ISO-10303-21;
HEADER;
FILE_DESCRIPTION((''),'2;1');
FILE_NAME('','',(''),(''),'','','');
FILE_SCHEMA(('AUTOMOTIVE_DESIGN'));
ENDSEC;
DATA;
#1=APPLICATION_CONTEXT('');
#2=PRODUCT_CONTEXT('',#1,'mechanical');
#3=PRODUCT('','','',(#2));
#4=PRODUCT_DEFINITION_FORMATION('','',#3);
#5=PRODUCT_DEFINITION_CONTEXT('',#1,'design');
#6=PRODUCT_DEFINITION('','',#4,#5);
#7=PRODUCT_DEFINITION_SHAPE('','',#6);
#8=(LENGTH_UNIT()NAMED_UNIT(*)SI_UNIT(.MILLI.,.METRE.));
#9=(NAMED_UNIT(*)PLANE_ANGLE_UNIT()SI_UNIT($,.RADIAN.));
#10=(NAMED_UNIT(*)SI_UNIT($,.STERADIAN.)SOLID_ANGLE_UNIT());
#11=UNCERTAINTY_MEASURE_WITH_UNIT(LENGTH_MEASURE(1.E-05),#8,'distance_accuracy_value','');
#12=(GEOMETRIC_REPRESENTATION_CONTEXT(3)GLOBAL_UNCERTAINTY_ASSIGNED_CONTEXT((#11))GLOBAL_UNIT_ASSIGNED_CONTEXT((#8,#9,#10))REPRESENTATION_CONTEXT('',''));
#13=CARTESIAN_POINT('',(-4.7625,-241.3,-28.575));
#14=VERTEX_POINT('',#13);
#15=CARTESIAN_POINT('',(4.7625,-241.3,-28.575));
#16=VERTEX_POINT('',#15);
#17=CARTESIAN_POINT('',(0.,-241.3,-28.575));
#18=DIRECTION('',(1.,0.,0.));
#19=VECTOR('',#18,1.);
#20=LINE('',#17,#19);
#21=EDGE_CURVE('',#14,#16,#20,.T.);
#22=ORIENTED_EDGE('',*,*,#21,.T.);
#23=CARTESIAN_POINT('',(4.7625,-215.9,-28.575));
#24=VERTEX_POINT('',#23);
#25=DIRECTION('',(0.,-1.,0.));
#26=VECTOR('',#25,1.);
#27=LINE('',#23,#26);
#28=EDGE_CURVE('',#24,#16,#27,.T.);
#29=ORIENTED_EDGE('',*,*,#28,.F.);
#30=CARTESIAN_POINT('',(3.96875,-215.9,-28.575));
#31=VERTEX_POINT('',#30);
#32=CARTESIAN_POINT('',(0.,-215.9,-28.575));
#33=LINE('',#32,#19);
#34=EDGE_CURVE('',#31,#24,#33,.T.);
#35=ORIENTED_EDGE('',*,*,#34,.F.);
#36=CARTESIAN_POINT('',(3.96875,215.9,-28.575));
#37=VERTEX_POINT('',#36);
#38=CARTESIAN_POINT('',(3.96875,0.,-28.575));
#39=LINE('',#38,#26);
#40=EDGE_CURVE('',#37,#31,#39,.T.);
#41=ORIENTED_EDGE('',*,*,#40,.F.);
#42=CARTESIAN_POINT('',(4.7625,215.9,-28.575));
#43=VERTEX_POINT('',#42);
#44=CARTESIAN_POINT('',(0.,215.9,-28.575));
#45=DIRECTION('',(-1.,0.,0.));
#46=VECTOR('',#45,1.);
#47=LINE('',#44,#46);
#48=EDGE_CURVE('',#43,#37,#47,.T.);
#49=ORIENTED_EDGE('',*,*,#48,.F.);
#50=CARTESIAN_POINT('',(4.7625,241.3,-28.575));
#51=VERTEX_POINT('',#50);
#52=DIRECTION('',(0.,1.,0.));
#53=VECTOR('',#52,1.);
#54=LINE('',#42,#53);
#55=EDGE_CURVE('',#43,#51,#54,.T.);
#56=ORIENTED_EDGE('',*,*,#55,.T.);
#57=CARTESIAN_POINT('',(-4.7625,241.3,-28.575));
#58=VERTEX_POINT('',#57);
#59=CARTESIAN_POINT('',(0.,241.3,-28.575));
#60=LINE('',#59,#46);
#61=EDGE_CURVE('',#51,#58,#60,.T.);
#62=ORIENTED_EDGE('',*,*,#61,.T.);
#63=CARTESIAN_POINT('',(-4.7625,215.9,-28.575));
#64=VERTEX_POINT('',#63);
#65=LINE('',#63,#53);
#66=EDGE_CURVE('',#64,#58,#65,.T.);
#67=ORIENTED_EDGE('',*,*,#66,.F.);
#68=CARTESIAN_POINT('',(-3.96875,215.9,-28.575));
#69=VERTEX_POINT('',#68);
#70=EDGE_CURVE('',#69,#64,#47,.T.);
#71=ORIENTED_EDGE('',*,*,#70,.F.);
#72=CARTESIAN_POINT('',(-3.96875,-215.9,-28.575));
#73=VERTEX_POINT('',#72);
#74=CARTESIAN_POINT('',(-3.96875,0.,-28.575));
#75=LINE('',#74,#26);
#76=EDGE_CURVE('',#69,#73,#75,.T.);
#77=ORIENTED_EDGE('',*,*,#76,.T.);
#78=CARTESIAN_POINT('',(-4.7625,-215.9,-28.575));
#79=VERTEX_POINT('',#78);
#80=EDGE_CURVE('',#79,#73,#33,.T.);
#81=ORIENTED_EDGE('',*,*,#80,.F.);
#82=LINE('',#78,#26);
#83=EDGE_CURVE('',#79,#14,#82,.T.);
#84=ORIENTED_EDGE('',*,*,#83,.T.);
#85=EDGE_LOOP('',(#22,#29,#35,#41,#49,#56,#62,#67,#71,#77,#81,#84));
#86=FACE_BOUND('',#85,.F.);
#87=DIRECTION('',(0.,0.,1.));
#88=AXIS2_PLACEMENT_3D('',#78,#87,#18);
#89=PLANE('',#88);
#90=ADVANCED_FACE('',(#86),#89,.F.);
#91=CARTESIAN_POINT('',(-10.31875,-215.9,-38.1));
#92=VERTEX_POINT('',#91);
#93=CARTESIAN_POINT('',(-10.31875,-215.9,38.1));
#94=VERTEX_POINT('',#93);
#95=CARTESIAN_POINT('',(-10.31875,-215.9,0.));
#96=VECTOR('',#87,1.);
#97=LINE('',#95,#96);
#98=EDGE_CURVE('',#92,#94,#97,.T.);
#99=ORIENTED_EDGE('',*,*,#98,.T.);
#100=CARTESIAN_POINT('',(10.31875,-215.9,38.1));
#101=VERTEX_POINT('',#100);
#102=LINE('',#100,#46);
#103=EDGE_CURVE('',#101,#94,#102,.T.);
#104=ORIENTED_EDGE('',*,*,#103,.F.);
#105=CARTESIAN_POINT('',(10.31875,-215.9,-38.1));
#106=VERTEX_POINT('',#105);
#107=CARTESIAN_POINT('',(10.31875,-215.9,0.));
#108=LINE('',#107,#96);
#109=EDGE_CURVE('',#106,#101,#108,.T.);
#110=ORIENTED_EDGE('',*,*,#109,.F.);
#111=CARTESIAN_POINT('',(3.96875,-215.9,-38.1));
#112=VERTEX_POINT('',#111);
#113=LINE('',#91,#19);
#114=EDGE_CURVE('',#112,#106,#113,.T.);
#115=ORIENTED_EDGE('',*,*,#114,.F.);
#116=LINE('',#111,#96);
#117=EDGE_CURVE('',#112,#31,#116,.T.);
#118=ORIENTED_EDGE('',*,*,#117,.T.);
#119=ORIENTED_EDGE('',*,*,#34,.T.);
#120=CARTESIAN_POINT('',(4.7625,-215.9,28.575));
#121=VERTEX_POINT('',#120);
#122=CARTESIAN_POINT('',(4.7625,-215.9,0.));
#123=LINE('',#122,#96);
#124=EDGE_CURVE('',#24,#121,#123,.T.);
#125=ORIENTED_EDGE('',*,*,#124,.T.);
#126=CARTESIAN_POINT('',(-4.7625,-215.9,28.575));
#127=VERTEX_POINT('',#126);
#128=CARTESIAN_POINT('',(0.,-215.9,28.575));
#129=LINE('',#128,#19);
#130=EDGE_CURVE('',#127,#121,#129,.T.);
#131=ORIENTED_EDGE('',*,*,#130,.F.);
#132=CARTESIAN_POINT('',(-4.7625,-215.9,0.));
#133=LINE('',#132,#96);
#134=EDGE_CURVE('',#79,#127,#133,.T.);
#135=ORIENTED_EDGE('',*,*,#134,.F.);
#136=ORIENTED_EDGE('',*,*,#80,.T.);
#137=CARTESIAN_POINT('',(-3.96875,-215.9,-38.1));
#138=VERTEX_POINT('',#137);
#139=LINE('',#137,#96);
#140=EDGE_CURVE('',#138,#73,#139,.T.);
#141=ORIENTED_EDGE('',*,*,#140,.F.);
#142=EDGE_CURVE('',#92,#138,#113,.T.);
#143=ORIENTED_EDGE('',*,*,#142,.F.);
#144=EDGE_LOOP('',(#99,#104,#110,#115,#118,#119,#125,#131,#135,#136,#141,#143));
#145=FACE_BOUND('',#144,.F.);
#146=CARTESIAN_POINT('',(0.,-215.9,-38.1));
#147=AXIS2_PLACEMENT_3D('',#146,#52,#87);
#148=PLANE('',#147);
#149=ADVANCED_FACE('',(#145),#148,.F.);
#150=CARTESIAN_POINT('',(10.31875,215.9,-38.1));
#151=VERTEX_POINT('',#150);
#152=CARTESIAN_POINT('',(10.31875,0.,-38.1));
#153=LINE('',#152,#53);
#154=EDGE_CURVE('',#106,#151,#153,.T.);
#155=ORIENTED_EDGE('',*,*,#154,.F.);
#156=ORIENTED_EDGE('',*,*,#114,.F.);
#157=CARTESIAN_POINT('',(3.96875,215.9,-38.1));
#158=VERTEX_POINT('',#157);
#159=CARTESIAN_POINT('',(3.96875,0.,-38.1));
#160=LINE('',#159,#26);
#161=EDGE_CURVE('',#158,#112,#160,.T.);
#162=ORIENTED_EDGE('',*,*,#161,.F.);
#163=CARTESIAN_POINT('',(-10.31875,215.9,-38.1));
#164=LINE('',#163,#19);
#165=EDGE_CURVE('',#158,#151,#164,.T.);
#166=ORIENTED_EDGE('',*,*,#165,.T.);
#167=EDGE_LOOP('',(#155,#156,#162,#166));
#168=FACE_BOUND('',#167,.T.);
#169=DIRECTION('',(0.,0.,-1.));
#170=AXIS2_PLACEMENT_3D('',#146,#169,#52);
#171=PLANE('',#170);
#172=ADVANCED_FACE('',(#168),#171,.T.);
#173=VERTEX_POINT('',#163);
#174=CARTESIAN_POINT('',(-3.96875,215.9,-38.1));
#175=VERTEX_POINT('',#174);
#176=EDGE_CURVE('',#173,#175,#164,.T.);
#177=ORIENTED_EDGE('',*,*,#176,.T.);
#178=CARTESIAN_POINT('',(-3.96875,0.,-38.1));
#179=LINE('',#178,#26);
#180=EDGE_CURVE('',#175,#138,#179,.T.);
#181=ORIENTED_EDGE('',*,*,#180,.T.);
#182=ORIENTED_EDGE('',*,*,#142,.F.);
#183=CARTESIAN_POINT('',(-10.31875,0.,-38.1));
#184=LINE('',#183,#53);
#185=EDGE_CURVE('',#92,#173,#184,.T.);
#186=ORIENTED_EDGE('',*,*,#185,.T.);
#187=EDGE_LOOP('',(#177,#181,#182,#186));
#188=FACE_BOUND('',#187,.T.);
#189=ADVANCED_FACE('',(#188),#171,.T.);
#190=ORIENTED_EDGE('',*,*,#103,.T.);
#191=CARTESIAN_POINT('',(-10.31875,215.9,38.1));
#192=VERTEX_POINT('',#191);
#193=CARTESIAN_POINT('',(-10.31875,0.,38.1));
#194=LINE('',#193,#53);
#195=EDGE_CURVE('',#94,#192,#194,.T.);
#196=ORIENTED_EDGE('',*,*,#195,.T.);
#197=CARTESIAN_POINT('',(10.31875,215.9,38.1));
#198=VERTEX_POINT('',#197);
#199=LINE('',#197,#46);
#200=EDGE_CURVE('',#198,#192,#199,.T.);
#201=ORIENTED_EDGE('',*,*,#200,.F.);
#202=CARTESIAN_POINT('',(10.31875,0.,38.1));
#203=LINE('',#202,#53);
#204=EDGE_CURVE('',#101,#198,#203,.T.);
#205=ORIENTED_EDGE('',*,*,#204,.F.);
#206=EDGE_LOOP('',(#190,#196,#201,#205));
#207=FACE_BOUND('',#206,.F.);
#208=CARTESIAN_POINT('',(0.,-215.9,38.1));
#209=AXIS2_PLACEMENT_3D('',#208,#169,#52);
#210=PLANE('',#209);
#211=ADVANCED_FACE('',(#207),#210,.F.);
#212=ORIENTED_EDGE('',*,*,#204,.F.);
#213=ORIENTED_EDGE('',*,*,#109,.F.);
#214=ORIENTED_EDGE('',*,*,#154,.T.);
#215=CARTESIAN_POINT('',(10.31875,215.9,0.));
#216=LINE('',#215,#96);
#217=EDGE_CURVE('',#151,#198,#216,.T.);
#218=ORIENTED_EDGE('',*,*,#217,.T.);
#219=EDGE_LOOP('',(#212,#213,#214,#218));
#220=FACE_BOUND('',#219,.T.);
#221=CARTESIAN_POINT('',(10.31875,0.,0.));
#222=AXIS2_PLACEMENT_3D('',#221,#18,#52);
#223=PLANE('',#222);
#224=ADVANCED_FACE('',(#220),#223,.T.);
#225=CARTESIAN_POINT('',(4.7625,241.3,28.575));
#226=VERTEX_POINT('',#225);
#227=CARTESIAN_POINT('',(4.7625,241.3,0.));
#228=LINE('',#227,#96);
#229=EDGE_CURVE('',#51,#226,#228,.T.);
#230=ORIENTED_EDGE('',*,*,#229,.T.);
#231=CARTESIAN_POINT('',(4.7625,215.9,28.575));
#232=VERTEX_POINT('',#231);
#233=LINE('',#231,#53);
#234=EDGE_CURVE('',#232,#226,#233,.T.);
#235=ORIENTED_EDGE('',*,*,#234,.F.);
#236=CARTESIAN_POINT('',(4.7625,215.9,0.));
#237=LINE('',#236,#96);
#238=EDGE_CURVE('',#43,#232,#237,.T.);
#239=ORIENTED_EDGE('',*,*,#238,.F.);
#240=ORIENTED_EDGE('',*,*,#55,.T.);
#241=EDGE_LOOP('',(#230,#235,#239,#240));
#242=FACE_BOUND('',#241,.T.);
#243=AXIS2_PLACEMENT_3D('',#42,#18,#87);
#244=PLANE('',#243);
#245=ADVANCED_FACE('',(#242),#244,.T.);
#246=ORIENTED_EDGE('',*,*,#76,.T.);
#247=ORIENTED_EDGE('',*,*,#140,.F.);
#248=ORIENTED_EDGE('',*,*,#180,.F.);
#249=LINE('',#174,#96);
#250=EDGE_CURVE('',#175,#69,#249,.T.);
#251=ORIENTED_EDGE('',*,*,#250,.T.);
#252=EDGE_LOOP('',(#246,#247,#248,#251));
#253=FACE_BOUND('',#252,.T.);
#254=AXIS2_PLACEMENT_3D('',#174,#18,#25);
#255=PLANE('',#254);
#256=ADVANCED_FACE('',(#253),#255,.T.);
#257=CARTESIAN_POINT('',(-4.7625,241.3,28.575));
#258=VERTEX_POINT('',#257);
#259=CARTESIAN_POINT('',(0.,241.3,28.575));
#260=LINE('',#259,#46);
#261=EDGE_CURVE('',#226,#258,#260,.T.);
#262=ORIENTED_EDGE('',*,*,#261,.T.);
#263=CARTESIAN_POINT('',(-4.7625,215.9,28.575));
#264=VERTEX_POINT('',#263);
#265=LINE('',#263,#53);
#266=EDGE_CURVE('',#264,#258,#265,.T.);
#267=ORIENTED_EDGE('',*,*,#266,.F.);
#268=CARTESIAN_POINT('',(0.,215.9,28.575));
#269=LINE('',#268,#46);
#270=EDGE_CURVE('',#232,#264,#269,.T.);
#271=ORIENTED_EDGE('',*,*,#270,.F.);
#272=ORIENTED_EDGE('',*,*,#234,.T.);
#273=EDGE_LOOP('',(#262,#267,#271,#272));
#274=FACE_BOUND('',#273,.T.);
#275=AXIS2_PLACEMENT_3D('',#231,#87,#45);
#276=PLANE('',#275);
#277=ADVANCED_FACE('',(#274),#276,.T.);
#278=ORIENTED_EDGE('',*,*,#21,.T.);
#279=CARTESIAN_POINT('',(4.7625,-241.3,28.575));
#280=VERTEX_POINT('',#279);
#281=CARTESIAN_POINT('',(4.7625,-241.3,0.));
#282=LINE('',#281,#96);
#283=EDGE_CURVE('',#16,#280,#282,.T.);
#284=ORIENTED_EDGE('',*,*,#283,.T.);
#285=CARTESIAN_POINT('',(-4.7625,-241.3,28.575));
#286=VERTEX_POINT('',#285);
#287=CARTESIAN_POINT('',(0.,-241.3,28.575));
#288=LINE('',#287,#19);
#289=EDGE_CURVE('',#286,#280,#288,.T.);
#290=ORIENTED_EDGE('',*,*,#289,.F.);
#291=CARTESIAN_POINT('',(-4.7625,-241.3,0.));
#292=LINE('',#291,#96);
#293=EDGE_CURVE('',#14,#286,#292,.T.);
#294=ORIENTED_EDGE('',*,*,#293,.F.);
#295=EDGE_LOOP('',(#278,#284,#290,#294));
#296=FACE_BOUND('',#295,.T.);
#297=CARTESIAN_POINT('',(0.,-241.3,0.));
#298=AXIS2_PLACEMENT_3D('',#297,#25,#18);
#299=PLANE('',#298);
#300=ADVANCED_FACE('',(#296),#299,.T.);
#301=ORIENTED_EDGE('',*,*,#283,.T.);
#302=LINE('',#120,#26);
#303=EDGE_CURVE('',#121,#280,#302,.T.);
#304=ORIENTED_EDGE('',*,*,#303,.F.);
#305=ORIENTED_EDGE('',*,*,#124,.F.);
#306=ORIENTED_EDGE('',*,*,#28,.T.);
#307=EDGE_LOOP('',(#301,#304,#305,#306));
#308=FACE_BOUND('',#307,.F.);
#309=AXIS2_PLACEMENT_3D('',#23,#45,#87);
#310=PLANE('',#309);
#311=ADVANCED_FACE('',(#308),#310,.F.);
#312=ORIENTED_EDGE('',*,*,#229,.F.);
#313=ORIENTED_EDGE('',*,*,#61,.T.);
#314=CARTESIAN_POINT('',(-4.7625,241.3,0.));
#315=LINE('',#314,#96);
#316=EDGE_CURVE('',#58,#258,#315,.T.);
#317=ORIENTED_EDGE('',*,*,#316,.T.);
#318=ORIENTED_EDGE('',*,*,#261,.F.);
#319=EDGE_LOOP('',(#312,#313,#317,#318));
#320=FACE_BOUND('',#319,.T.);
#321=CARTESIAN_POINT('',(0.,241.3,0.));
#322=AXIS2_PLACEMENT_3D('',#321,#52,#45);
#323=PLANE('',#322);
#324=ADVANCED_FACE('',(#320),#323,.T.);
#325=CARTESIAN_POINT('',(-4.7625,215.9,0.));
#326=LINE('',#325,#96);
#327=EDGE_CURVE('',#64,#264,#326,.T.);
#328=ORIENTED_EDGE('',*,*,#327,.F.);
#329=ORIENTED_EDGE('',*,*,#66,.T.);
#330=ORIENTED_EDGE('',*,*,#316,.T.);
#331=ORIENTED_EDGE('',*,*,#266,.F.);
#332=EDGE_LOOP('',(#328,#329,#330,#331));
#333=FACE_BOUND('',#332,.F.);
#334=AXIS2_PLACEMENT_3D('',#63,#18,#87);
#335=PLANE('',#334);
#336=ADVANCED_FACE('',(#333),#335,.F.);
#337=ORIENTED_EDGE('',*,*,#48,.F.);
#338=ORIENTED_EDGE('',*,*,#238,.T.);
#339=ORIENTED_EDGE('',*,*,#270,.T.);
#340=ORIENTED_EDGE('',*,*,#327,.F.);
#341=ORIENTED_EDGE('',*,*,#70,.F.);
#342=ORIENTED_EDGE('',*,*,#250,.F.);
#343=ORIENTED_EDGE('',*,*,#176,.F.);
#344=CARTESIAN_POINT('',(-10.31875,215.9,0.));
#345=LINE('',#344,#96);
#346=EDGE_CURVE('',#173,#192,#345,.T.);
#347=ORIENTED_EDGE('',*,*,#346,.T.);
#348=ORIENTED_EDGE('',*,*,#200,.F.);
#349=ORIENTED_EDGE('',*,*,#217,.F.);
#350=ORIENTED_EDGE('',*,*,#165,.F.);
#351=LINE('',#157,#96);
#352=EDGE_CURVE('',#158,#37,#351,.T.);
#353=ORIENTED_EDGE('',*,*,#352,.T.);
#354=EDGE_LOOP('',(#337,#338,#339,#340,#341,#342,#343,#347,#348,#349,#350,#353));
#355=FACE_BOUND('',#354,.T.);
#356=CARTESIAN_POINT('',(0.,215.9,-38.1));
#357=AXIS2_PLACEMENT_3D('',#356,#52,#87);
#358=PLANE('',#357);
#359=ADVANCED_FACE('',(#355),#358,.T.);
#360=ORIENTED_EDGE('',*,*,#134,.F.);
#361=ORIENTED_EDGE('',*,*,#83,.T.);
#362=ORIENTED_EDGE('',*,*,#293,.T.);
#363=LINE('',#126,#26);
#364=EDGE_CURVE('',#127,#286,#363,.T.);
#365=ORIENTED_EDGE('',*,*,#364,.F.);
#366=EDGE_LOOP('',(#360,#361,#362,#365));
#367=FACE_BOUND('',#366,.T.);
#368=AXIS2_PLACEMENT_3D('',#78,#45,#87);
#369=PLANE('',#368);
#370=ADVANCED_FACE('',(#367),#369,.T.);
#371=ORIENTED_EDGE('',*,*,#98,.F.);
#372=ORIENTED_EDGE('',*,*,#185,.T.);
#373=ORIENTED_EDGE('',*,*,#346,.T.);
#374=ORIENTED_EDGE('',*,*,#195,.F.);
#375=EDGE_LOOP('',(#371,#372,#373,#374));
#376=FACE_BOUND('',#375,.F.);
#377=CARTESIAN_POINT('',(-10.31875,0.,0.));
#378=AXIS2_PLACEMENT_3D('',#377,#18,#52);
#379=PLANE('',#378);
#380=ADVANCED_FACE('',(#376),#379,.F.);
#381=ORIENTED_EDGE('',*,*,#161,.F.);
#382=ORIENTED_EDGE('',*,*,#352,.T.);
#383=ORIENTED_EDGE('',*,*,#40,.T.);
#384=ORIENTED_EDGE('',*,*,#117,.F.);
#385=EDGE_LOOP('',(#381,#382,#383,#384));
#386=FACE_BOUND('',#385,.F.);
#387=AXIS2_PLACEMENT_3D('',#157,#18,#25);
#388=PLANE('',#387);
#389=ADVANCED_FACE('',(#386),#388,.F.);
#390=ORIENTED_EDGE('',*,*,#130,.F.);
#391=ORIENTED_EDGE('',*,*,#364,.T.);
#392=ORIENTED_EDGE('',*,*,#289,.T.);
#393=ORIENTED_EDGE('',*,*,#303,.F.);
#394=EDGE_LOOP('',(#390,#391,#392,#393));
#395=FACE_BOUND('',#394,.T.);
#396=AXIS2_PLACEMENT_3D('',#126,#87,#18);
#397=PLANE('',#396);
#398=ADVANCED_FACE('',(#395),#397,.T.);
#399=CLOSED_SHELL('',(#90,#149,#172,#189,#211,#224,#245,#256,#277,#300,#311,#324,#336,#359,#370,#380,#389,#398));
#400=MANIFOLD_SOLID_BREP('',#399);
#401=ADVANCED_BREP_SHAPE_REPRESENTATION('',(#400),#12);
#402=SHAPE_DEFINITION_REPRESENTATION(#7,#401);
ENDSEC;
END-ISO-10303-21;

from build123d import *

# Parameters (mm, degrees)
F0_W     = 431.8
F0_H     = 76.2
F1_DEPTH = 10.31875
F2_W     = 9.525
F2_H     = 57.15
F3_DEPTH = 25.4
F4_W     = 9.525
F4_H     = 57.15
F5_DEPTH = 25.4
F6_W     = 7.9375
F6_H     = 431.8
F7_DEPTH = 9.525


with BuildPart() as f1:
    # F0 (on Right) → F1 (new body, symmetric)
    with BuildSketch(Plane.YZ):
        Rectangle(F0_W, F0_H)
    extrude(amount=F1_DEPTH, both=True)

    # F2 (on face) → F3 (join)
    with BuildSketch(Plane.XZ.offset(215.9)):
        Rectangle(F2_W, F2_H)
    extrude(amount=F3_DEPTH)

    # F4 (on face) → F5 (join)
    with BuildSketch(Plane(origin=(0, 215.9, 0), x_dir=(-1, 0, 0), z_dir=(0, 1, 0))):
        Rectangle(F4_W, F4_H)
    extrude(amount=F5_DEPTH)

    # F6 (on face) → F7 (cut)
    with BuildSketch(Plane(origin=(0, 0, -38.1), x_dir=(1, 0, 0), z_dir=(0, 0, -1))):
        Rectangle(F6_W, F6_H)
    extrude(amount=-F7_DEPTH, mode=Mode.SUBTRACT)


solid = f1.part
